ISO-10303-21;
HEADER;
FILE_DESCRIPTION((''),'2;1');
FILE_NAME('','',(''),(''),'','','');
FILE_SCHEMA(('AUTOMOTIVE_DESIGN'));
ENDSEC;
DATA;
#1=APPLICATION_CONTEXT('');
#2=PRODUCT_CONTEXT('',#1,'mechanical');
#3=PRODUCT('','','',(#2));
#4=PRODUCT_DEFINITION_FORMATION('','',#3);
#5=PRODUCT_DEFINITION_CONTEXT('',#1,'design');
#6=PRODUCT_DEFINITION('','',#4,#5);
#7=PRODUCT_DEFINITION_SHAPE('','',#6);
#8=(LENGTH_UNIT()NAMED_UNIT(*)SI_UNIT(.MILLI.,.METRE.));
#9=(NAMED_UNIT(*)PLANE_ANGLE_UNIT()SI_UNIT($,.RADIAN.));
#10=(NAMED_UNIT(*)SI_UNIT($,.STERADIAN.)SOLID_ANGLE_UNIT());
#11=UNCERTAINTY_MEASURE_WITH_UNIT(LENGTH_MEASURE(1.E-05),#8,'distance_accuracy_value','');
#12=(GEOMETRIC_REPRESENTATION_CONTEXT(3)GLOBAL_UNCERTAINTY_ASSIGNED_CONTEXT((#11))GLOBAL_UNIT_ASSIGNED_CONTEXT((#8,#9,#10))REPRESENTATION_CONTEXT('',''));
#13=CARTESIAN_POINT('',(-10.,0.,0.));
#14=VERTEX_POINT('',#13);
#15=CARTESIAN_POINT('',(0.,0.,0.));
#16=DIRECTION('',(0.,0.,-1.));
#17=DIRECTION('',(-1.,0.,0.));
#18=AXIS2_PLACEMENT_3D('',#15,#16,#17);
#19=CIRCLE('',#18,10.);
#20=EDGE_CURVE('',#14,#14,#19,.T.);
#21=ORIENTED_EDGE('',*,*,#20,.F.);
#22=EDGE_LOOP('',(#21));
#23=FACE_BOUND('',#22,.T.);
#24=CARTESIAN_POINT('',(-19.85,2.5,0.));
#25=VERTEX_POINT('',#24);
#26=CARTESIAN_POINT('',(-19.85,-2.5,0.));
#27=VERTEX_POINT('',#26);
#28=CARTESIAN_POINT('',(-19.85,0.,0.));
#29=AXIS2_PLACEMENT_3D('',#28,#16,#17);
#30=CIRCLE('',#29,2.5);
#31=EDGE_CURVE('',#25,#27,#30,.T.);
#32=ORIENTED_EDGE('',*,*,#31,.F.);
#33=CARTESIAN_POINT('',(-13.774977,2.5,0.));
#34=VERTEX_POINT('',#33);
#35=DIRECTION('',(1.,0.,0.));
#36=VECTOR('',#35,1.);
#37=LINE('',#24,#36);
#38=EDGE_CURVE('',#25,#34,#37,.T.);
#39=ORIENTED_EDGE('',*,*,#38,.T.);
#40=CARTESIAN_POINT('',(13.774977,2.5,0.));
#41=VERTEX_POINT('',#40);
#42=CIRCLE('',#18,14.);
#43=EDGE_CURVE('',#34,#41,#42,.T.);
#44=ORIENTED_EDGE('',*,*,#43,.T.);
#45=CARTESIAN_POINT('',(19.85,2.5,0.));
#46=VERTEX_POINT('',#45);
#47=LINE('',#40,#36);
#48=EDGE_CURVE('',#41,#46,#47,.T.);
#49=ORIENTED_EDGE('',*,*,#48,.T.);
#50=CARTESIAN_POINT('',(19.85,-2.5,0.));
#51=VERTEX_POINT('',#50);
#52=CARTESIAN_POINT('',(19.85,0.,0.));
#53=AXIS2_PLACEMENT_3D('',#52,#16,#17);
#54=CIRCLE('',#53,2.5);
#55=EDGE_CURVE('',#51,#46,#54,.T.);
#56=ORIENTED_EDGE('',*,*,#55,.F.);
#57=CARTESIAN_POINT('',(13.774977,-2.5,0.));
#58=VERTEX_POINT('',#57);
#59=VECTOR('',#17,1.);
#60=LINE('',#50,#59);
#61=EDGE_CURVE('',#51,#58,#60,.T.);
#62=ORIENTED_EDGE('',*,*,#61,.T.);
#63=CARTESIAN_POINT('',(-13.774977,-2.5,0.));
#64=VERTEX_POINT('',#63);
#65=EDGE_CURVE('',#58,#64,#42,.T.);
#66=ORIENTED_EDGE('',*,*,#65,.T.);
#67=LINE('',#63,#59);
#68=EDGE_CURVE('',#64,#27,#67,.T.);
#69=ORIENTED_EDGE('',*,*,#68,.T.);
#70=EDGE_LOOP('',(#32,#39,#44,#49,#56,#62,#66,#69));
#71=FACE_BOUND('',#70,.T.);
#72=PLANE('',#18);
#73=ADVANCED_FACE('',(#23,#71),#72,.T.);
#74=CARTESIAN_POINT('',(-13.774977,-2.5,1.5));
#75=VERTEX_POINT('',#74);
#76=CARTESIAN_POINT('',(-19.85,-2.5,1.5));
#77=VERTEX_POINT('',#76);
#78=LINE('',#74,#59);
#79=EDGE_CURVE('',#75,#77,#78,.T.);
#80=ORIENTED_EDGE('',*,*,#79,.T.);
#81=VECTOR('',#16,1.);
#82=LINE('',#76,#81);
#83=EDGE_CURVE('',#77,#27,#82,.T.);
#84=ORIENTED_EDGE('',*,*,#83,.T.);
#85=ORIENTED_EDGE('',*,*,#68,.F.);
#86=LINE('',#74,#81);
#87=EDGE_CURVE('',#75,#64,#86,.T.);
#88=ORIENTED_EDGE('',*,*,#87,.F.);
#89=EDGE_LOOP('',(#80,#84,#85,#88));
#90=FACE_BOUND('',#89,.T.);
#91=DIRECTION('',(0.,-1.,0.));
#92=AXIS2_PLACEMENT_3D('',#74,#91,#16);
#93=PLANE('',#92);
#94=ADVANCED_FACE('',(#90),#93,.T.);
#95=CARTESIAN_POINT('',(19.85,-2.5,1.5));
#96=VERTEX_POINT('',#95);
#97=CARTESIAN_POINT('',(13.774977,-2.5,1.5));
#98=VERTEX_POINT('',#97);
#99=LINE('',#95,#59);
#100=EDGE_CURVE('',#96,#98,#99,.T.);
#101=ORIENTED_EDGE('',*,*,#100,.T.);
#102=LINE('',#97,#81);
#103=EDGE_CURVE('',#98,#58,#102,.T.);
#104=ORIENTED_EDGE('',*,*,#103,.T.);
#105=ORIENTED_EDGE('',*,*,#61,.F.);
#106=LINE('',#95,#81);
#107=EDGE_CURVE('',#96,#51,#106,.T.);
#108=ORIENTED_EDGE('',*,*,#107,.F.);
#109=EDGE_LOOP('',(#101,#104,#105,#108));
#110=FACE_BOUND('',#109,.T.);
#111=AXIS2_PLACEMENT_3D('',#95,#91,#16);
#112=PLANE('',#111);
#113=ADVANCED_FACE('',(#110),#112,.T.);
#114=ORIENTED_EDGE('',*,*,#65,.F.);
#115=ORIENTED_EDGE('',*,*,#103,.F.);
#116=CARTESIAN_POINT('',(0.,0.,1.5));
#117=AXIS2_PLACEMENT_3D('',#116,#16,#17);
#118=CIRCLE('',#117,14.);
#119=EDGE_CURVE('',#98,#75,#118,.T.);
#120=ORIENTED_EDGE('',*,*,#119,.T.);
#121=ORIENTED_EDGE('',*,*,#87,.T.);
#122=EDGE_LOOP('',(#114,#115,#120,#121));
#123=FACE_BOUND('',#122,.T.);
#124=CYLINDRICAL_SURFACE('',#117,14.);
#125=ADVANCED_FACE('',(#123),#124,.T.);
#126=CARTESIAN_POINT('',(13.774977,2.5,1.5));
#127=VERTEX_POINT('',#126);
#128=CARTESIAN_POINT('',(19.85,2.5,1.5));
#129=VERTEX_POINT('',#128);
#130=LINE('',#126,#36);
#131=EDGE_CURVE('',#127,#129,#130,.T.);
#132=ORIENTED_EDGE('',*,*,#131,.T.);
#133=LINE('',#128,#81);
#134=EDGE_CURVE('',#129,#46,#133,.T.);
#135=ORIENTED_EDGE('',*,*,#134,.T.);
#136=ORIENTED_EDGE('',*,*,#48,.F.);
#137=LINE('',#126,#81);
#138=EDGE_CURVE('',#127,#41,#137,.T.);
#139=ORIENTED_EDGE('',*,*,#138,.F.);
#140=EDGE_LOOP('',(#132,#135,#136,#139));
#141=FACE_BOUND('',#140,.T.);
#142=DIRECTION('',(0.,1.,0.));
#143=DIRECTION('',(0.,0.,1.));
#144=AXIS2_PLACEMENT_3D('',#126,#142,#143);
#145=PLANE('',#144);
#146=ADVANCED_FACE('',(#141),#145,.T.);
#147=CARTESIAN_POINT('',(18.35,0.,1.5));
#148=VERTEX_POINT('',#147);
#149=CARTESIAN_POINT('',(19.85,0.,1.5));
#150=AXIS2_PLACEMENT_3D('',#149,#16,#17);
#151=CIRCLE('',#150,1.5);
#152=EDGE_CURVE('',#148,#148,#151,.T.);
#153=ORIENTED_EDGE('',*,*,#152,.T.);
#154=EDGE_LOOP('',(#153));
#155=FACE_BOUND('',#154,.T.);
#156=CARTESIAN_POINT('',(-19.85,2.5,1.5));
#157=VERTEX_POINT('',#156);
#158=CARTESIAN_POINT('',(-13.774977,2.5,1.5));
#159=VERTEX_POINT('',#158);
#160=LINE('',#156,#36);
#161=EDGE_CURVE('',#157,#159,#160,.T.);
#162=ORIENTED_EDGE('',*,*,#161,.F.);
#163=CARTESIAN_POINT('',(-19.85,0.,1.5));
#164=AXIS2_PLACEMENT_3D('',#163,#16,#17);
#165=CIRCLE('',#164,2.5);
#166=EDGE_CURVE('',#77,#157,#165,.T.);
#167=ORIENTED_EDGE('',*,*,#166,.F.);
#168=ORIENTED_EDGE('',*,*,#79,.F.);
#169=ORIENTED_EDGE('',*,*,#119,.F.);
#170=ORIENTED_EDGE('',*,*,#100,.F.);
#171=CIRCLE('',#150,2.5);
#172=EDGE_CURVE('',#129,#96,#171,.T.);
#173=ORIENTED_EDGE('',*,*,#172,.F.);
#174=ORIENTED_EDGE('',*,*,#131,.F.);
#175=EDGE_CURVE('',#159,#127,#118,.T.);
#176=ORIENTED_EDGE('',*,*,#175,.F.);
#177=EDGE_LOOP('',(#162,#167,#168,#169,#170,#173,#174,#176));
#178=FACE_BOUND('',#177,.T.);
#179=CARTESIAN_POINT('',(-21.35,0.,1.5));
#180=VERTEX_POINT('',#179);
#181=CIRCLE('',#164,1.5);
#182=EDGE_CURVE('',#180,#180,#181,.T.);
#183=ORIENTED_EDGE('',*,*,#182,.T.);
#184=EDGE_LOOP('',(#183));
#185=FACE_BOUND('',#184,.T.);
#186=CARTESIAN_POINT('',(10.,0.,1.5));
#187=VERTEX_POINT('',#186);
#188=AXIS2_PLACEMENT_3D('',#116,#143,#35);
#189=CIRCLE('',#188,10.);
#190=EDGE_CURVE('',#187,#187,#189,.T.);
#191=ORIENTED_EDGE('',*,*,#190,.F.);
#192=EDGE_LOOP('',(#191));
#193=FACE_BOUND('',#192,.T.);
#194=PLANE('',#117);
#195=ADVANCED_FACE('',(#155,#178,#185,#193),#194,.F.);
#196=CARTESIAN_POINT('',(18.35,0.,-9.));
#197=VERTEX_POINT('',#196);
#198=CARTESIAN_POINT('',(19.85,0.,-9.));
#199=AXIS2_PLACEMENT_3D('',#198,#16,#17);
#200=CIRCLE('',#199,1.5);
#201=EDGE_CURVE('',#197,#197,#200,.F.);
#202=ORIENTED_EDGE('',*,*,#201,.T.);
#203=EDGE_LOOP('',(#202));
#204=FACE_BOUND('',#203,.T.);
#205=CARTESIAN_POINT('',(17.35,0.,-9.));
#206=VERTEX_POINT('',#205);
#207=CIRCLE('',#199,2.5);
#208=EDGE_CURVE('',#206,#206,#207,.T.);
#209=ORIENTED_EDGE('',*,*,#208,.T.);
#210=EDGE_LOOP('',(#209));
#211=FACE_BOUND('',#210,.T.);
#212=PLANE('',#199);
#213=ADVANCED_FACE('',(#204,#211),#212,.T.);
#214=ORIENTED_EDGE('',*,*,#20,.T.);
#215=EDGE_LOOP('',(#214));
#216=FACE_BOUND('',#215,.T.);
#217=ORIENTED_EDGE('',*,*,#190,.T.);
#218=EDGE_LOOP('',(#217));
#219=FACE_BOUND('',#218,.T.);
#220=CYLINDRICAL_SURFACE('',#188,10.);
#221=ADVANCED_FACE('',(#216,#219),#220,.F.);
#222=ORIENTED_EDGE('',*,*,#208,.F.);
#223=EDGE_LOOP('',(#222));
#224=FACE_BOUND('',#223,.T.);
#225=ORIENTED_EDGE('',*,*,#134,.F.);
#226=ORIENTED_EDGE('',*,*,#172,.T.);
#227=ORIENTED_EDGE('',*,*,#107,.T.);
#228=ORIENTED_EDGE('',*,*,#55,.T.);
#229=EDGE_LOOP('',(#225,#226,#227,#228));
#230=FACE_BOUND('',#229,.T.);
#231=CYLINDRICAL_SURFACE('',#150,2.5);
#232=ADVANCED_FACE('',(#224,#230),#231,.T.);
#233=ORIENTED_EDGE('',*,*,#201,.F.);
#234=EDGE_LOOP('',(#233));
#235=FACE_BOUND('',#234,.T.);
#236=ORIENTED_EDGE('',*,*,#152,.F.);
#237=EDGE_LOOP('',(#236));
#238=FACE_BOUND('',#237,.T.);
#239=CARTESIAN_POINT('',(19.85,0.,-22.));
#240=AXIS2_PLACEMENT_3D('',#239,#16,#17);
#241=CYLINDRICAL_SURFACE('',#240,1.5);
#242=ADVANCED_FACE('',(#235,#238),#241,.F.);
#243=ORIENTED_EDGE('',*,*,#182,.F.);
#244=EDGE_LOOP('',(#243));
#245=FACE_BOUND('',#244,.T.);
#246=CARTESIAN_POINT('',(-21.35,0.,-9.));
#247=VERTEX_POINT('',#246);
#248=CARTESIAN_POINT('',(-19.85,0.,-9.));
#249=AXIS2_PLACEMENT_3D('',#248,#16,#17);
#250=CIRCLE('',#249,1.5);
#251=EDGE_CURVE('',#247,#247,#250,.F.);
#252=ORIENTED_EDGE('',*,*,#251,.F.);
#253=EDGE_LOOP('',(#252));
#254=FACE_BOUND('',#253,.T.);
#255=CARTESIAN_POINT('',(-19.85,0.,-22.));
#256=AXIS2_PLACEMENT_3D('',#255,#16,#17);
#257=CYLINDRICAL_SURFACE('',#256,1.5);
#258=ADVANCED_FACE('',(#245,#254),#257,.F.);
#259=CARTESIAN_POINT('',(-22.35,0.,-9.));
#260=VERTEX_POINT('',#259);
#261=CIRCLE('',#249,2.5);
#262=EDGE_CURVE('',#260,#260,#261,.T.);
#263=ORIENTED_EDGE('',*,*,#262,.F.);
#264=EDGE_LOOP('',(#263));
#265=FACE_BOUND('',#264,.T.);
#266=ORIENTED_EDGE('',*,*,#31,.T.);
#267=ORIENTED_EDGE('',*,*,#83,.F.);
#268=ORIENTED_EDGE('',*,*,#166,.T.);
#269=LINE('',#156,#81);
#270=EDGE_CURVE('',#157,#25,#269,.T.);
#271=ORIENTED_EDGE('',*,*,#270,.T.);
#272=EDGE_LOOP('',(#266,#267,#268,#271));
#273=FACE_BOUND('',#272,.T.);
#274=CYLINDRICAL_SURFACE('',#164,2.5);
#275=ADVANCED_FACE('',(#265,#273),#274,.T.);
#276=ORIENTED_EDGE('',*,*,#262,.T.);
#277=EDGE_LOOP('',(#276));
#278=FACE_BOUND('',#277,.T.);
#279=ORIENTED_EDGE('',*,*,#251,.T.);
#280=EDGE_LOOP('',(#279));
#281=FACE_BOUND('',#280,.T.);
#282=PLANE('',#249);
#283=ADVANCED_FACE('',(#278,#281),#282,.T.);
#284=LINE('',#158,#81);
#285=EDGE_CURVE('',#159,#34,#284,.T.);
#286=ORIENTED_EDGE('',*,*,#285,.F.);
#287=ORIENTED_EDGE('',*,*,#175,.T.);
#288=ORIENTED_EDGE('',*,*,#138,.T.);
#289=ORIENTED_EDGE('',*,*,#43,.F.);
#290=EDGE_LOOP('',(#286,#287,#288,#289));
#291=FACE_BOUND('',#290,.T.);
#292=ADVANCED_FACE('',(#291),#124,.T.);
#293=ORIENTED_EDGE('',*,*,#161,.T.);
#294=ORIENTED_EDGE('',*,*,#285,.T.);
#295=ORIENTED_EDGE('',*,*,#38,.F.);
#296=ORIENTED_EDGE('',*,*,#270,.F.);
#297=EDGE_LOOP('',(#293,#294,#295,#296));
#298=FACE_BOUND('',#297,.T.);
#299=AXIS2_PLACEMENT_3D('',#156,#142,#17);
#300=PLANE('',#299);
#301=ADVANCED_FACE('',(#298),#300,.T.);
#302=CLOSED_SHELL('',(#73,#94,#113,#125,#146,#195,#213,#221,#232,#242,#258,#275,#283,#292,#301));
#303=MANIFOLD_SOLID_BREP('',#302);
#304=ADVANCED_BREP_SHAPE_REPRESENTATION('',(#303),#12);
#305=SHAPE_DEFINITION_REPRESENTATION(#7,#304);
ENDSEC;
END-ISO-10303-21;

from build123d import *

# Parameters (mm, degrees)
RESSALTO_EXTRUS_O1_DEPTH         = 1.5
RESSALTO_EXTRUS_O2_START         = 22
ESBO_O2_R                        = 2.5
RESSALTO_EXTRUS_O2_DEPTH         = 22
RESSALTO_EXTRUS_O3_START         = 22
ESBO_O3_R                        = 2.5
RESSALTO_EXTRUS_O3_DEPTH         = 22
FURO_DE_DI_METRO_3_0_3_1_D       = 3
FURO_DE_DI_METRO_20_0_20_1_D     = 20
FURO_DE_DI_METRO_20_0_20_1_DEPTH = 23.5
ESBO_O8_R                        = 2.5
CORTE_EXTRUS_O1_DEPTH            = 13


with BuildPart() as part:
    # Esboço1 → Ressalto-extrusão1 (new body)
    with BuildSketch(Plane(origin=(0, 0, 0), x_dir=(-1, 0, 0), z_dir=(0, 0, -1))):
        with BuildLine():
            Line((13.774977314, -2.5), (19.85, -2.5))
            ThreePointArc((19.85, -2.5), (22.35, 0), (19.85, 2.5))
            Line((19.85, 2.5), (13.774977314, 2.5))
            ThreePointArc((13.774977314, 2.5), (0, 14), (-13.774977314, 2.5))
            Line((-13.774977314, 2.5), (-19.85, 2.5))
            ThreePointArc((-19.85, 2.5), (-22.35, 0), (-19.85, -2.5))
            Line((-19.85, -2.5), (-13.774977314, -2.5))
            ThreePointArc((-13.774977314, -2.5), (0, -14), (13.774977314, -2.5))
        make_face()
    extrude(amount=-RESSALTO_EXTRUS_O1_DEPTH)

    # Esboço2 → Ressalto-extrusão2 (add)
    with BuildSketch(Plane(origin=(0, 0, 0), x_dir=(-1, 0, 0), z_dir=(0, 0, -1)).offset(RESSALTO_EXTRUS_O2_START)):
        with Locations((-19.85, 0)):
            Circle(ESBO_O2_R)
    extrude(amount=-RESSALTO_EXTRUS_O2_DEPTH)

    # Esboço3 → Ressalto-extrusão3 (add)
    with BuildSketch(Plane(origin=(0, 0, 0), x_dir=(-1, 0, 0), z_dir=(0, 0, -1)).offset(RESSALTO_EXTRUS_O3_START)):
        with Locations((19.85, 0)):
            Circle(ESBO_O3_R)
    extrude(amount=-RESSALTO_EXTRUS_O3_DEPTH)

    # Furo de diâmetro Ø3.0 (3)1 (through all)
    with Locations(Plane(origin=(0, 0, -22), x_dir=(-1, 0, 0), z_dir=(0, 0, -1))):
        with Locations((-19.85, 0), (19.85, 0)):
            Hole(FURO_DE_DI_METRO_3_0_3_1_D / 2)

    # Furo de diâmetro Ø20.0 (20)1
    with Locations(Plane.XY.offset(1.5)):
        with Locations((0, 0)):
            Hole(FURO_DE_DI_METRO_20_0_20_1_D / 2, depth=FURO_DE_DI_METRO_20_0_20_1_DEPTH)

    # Esboço8 → Corte-extrusão1 (cut)
    with BuildSketch(Plane(origin=(0, 0, -22), x_dir=(-1, 0, 0), z_dir=(0, 0, -1))):
        with Locations((19.85, 0)):
            Circle(ESBO_O8_R)
        with Locations((-19.85, 0)):
            Circle(ESBO_O8_R)
    extrude(amount=-CORTE_EXTRUS_O1_DEPTH, mode=Mode.SUBTRACT)


solid = part.part
